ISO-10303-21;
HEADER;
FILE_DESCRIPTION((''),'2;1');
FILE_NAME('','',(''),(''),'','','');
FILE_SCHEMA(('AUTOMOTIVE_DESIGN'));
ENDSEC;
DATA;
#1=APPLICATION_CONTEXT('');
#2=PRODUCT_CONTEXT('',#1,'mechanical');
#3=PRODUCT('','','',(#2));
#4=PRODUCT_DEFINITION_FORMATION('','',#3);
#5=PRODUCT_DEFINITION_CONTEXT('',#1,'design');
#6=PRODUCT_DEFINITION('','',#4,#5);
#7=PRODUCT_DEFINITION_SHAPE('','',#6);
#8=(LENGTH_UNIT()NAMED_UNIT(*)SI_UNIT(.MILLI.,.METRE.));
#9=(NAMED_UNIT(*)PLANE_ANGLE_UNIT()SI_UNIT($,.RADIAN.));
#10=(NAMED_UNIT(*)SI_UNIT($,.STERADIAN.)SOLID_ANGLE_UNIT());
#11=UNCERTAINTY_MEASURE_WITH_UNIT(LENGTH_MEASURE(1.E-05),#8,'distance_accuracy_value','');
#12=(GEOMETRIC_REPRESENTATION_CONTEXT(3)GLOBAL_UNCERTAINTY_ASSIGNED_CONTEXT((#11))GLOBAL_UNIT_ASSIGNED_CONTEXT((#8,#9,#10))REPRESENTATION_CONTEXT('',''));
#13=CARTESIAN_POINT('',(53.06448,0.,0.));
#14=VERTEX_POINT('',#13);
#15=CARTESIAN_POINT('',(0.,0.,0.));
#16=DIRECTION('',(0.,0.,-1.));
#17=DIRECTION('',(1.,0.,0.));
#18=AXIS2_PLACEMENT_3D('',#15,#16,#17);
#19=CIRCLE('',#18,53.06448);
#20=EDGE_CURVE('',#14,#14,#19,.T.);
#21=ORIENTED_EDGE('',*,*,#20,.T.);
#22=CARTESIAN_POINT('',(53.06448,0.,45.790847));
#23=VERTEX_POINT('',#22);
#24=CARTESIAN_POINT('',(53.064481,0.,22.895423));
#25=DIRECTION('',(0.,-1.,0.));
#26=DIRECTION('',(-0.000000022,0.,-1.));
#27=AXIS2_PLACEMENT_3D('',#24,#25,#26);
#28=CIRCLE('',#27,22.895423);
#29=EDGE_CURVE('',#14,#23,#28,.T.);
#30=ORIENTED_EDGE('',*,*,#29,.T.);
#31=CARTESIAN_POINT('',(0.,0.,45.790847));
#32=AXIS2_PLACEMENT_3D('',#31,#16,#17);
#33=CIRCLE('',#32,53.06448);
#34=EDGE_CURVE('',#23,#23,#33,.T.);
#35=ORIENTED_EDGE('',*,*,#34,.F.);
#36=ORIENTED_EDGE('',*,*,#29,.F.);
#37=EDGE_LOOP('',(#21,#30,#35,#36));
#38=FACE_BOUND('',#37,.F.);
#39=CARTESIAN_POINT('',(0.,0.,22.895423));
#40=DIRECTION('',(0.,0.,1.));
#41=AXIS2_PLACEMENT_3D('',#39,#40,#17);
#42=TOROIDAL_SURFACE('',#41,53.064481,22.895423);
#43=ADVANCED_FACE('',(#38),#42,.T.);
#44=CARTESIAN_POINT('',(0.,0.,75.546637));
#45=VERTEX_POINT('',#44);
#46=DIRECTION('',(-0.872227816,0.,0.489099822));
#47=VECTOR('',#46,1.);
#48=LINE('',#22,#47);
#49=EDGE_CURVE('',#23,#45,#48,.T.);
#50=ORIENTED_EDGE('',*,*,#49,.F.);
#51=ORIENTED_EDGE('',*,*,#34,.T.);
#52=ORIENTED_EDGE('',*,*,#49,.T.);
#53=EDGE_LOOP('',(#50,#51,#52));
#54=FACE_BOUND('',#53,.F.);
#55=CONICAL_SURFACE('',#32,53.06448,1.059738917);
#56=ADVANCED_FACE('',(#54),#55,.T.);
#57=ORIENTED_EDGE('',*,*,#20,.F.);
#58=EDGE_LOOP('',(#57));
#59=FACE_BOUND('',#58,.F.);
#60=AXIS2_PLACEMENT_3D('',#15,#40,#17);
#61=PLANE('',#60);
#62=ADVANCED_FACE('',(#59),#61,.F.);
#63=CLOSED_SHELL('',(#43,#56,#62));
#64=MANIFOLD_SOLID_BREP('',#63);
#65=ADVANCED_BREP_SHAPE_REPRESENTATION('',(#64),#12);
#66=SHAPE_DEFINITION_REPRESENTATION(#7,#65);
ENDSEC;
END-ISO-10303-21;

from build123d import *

# Parameters (mm, degrees)
F2_R     = 53.415828
F3_DEPTH = 25.4


with BuildPart() as f1:
    # F0 (on Front) → F1 (revolve)
    with BuildSketch(Plane.XZ):
        with BuildLine():
            ThreePointArc((53.06448, 0), (75.959904, 22.895424), (53.06448, 45.790847))
            Line((53.06448, 45.790847), (0, 75.546637))
            Line((0, 75.546637), (0, -16.365683))
            Line((0, -16.365683), (53.06448, 0))
        make_face()
    revolve(axis=Axis((0, 0, 29.590477), (0, 0, -1)))

    # F2 (on Top) → F3 (cut)
    with BuildSketch(Plane.XY):
        Circle(F2_R)
    extrude(amount=-F3_DEPTH, mode=Mode.SUBTRACT)


solid = f1.part
